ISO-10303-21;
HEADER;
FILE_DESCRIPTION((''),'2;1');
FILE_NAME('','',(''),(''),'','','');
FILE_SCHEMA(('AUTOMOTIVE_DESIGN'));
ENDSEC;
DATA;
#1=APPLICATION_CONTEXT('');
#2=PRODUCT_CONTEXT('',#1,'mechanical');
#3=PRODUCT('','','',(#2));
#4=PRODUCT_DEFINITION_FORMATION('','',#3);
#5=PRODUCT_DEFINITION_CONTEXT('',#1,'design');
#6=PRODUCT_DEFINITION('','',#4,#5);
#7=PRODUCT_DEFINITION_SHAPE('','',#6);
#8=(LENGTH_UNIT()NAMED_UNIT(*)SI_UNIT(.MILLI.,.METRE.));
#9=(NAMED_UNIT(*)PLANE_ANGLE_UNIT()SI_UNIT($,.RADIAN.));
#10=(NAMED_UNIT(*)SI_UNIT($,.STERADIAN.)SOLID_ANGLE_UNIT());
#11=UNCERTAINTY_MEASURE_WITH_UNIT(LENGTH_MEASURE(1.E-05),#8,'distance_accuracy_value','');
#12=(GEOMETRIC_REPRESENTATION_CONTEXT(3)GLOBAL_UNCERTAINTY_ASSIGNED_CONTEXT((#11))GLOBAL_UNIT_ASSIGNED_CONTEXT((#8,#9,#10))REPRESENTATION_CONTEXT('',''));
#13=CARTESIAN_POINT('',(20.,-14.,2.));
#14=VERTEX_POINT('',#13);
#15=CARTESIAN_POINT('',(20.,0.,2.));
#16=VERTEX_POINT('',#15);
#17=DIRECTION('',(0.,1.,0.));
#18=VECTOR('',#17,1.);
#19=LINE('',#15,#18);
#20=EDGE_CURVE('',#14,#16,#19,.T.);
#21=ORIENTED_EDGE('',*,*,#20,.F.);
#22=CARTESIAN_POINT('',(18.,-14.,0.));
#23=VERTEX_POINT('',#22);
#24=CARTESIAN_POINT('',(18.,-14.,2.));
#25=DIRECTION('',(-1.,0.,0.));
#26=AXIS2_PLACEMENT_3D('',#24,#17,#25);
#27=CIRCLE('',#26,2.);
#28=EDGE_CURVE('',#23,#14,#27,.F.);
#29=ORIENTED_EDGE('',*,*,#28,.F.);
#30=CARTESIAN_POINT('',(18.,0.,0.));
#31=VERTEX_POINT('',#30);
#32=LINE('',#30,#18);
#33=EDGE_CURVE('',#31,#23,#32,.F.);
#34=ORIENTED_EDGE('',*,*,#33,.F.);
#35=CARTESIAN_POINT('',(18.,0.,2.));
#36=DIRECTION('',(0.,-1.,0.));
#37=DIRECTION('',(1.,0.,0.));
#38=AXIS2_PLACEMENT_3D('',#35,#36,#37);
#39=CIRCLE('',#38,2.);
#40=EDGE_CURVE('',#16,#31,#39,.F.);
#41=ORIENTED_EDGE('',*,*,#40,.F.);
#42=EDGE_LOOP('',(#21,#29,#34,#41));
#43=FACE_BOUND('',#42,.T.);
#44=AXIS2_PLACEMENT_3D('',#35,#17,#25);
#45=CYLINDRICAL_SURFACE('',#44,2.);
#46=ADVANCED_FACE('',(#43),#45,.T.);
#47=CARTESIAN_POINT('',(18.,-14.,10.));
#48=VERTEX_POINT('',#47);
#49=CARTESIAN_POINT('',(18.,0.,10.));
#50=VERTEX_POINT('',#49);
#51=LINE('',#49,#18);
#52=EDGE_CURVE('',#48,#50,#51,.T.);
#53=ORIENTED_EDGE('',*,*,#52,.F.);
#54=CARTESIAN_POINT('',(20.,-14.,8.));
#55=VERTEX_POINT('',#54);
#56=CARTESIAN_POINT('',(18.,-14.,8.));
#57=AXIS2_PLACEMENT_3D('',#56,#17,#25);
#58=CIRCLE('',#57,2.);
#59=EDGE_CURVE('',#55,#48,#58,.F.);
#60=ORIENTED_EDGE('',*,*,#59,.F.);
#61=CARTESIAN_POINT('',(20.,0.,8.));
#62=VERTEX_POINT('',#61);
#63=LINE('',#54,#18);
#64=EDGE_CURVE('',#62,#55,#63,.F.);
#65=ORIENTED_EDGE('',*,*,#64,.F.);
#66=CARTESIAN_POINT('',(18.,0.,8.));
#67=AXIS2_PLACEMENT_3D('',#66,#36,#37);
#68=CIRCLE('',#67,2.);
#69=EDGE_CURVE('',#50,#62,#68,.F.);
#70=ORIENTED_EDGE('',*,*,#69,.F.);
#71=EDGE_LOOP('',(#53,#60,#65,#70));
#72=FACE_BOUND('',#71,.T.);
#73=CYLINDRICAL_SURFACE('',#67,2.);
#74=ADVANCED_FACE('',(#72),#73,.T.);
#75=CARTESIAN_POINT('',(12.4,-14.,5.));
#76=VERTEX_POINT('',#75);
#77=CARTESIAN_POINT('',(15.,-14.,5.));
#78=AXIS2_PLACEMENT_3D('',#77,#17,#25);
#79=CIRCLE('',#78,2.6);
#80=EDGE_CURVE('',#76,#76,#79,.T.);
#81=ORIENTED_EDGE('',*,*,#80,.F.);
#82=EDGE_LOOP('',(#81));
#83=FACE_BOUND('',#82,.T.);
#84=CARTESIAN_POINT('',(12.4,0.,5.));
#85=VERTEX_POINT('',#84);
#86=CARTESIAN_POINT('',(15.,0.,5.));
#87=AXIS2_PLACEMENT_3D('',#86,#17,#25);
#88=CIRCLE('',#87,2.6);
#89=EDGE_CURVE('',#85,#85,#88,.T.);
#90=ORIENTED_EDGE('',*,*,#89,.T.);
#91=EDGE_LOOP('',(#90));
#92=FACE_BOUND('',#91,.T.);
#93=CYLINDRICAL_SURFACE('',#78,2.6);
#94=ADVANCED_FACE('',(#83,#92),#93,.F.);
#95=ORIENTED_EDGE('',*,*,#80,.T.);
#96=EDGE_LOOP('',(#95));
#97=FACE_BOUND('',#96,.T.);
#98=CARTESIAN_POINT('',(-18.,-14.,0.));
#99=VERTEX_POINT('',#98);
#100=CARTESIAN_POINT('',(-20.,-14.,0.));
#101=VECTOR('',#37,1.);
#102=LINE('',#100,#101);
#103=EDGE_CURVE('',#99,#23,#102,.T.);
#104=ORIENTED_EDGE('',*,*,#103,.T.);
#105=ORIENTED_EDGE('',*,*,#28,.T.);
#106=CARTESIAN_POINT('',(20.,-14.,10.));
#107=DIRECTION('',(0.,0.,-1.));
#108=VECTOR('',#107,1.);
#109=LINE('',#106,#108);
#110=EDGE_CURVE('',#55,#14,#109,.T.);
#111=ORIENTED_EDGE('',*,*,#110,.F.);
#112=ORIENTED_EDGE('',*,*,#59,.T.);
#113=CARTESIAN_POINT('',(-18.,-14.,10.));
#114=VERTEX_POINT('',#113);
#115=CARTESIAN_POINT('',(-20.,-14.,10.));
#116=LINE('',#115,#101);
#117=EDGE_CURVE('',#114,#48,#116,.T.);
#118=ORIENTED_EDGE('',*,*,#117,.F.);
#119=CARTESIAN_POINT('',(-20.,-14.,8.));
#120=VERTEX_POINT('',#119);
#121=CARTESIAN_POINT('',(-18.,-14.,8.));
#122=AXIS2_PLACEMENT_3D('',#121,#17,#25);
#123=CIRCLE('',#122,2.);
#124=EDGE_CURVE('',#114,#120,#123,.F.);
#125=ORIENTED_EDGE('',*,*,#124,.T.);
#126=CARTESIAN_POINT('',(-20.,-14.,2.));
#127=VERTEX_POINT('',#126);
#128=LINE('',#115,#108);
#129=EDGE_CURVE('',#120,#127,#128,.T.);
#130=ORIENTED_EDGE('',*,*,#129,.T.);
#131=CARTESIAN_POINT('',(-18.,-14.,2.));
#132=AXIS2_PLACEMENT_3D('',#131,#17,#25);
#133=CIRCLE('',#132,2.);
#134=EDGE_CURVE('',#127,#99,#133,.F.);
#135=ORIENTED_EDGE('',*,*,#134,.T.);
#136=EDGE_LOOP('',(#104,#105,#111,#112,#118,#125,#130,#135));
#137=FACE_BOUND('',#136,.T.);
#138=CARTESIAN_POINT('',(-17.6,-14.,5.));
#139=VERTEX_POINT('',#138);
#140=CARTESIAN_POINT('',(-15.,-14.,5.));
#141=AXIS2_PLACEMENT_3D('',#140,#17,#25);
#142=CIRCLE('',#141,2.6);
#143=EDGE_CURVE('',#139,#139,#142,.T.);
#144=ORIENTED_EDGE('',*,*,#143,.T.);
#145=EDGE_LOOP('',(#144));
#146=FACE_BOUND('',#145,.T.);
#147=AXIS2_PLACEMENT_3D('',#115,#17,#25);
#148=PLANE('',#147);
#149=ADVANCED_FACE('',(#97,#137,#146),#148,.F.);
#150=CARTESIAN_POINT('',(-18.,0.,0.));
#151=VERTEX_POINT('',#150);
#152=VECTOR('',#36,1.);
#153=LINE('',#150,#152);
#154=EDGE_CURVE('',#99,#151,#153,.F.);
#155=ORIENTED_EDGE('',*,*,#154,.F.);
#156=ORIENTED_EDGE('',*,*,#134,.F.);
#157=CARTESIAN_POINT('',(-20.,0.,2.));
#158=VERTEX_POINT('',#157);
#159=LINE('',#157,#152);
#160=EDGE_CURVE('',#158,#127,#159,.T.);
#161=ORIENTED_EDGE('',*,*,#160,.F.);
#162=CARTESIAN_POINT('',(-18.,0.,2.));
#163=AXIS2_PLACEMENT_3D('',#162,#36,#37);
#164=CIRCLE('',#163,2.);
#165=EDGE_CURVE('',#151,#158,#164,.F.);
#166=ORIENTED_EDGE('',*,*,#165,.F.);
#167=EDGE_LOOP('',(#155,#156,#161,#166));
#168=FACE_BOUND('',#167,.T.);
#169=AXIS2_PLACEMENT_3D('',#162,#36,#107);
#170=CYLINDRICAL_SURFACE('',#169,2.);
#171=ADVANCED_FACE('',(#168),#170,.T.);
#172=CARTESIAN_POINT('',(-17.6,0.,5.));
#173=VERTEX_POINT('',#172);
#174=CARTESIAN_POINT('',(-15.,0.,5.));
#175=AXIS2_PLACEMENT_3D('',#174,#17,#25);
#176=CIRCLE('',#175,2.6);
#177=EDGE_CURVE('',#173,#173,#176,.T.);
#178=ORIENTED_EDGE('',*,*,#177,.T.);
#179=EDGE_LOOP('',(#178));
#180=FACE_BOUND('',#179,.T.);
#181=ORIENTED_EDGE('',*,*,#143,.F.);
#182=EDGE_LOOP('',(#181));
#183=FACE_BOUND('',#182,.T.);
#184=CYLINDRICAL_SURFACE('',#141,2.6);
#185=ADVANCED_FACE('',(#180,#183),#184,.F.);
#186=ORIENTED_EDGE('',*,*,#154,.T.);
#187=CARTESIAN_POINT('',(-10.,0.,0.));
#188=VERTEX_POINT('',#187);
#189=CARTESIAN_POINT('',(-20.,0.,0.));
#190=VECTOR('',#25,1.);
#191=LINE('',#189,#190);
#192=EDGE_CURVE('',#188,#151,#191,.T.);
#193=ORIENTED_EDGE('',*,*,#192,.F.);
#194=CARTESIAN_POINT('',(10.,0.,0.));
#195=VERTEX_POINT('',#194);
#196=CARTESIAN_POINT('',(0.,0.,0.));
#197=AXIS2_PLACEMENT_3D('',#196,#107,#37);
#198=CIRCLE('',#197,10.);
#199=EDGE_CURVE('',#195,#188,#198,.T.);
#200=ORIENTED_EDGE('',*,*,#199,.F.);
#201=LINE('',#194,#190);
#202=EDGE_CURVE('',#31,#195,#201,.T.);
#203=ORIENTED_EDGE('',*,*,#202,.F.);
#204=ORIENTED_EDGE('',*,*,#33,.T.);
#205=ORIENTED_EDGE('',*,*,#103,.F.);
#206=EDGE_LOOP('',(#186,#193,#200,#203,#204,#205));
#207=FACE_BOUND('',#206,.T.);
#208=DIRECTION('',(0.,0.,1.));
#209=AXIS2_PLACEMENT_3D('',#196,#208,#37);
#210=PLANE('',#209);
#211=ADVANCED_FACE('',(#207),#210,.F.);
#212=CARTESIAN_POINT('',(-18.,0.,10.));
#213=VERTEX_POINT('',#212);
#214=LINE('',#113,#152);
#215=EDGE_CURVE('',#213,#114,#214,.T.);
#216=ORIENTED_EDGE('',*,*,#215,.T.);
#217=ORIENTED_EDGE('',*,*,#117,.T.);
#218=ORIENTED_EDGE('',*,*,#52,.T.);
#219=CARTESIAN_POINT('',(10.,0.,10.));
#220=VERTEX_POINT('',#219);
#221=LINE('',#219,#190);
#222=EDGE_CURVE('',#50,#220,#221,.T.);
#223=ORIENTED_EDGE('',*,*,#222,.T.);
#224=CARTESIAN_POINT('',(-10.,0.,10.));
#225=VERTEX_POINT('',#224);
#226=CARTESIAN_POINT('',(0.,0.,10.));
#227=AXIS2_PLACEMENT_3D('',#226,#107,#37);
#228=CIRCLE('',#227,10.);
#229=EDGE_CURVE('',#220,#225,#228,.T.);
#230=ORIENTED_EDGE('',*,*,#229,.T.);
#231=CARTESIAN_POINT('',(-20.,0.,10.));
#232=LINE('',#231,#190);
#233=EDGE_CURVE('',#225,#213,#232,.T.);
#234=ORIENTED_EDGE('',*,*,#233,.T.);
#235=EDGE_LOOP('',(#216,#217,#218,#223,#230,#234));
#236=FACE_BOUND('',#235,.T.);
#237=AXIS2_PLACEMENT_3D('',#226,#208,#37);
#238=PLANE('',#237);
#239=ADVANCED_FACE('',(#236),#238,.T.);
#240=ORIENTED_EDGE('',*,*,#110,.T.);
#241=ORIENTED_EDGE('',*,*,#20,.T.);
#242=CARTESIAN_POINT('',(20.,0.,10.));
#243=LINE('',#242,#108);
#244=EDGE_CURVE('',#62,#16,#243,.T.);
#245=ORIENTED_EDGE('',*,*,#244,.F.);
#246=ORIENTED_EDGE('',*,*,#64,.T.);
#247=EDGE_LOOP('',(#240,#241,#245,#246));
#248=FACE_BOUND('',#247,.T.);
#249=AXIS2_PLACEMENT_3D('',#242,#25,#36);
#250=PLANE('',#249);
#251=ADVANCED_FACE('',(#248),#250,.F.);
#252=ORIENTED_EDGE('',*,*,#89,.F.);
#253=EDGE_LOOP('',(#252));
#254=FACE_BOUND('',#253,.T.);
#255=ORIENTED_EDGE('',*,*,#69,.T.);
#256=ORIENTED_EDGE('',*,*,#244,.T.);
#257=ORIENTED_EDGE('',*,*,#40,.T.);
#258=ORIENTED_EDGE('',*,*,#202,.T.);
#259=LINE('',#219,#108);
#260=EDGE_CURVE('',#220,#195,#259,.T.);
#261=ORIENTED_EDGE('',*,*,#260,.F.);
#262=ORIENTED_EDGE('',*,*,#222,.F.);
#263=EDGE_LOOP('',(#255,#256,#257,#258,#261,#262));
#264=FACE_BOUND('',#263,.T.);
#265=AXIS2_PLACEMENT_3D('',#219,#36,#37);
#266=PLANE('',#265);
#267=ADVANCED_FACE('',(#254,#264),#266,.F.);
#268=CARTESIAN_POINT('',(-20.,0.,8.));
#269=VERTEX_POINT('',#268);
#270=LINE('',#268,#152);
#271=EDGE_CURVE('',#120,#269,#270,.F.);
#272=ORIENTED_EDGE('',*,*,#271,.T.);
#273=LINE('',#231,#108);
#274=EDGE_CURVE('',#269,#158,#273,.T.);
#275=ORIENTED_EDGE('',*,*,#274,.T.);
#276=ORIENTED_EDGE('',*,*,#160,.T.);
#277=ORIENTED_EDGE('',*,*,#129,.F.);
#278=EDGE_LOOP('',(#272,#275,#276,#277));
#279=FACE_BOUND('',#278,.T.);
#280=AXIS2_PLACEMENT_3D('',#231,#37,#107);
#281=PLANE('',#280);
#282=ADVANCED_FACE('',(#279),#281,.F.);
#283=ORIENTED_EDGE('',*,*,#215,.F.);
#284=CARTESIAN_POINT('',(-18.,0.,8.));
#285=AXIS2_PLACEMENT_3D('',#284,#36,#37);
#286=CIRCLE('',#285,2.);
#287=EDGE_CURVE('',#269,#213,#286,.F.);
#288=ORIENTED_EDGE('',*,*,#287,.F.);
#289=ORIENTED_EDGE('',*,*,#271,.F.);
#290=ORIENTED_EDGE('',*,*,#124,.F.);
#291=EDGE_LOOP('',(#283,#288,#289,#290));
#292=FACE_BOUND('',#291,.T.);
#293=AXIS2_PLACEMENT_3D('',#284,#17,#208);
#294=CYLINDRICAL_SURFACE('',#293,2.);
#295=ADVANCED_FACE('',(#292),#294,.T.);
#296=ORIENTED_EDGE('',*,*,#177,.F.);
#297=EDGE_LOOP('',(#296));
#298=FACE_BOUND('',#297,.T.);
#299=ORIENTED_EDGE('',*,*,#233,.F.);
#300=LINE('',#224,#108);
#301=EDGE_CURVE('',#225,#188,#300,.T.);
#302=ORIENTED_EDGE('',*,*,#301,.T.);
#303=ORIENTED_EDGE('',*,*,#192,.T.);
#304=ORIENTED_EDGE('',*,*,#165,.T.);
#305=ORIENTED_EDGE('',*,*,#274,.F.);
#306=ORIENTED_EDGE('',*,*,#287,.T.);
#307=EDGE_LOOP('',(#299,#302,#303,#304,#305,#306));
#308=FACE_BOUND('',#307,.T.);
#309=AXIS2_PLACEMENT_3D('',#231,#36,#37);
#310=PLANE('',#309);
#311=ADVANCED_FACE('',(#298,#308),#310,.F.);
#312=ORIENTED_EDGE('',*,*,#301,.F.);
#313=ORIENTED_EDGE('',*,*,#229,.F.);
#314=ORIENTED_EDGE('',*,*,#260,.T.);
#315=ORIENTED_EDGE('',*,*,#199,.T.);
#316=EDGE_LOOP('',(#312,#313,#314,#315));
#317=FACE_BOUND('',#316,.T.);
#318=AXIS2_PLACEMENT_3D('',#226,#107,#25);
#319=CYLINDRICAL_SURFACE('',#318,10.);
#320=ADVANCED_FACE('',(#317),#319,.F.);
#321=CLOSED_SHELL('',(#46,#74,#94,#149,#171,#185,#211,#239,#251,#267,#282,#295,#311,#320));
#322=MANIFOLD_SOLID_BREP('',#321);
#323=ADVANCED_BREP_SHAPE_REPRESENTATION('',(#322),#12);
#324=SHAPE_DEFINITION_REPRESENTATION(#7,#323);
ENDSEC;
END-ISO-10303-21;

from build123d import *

# Parameters (mm, degrees)
BOSS_EXTRUDE1_DEPTH = 10
FILLET1_R           = 2
SKETCH4_R           = 2.6
CUT_EXTRUDE2_DEPTH  = 27.381811917


with BuildPart() as part:
    # Sketch1 → Boss-Extrude1 (new body)
    with BuildSketch(Plane.XY):
        with BuildLine():
            Line((10, 0), (20, 0))
            Line((20, 0), (20, -14))
            Line((20, -14), (-20, -14))
            Line((-20, -14), (-20, 0))
            Line((-20, 0), (-10, 0))
            ThreePointArc((-10, 0), (0, -10), (10, 0))
        make_face()
    extrude(amount=BOSS_EXTRUDE1_DEPTH)

    # Fillet1
    fillet1_edges = [part.edges().sort_by_distance(p)[0] for p in [
        (-20, -7, 10),
        (20, -7, 10),
        (20, -7, 0),
        (-20, -7, 0),
    ]]
    fillet(fillet1_edges, radius=FILLET1_R)

    # Sketch4 → Cut-Extrude2 (cut, through all)
    with BuildSketch(Plane(origin=(0, 0, 0), x_dir=(1, 0, 0), z_dir=(0, 1, 0))):
        with Locations(Location((-15, -5, 0), (0, 0, 180))):
            Circle(SKETCH4_R)
        with Locations(Location((15, -5, 0), (0, 0, 180))):
            Circle(SKETCH4_R)
    extrude(amount=-CUT_EXTRUDE2_DEPTH, mode=Mode.SUBTRACT)


solid = part.part
